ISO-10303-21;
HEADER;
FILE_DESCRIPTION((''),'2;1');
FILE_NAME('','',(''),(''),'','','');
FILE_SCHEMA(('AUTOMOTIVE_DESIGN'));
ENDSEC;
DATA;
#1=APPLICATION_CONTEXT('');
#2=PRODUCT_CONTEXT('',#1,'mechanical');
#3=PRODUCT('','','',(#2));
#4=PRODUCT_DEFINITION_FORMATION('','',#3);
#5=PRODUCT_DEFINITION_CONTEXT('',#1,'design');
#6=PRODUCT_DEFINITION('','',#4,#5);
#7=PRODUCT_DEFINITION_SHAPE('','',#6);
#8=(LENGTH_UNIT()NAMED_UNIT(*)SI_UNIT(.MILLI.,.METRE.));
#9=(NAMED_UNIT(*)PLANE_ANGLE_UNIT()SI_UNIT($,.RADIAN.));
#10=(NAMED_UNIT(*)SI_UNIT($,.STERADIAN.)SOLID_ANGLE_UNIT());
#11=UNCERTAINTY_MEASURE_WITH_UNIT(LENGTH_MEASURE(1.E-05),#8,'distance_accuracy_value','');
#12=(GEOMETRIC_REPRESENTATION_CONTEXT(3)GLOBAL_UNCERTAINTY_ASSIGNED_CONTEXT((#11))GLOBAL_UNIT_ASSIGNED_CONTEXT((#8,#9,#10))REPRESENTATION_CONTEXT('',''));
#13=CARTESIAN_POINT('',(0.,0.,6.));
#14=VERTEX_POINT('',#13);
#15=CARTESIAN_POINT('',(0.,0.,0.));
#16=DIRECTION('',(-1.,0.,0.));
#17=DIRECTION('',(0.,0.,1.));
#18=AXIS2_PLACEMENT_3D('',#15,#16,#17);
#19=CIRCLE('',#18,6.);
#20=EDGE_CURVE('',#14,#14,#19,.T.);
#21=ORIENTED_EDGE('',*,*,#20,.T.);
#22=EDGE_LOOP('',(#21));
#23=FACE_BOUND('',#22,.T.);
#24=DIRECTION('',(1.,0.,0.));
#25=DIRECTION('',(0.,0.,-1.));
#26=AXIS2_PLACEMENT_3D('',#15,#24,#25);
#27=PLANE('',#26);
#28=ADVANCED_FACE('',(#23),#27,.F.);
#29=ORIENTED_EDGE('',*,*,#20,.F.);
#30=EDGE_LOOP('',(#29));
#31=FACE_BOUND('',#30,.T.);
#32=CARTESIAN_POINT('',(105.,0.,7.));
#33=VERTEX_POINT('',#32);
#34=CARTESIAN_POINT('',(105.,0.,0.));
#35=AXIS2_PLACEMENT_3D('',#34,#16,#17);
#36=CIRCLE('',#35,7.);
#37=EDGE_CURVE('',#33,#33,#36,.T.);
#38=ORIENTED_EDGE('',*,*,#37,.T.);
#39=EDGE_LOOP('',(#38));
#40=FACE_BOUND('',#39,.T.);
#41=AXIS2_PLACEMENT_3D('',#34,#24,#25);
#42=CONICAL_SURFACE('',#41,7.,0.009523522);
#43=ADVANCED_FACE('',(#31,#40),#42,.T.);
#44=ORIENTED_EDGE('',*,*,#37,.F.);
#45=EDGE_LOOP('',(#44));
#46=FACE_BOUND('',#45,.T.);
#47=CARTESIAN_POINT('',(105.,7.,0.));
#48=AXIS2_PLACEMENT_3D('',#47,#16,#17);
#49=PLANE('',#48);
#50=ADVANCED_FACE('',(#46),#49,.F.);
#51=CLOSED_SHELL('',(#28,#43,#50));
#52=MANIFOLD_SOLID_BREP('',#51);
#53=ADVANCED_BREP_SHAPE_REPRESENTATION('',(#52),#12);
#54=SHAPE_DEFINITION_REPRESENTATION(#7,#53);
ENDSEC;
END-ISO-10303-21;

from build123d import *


with BuildPart() as part:
    # Sketch1 → Revolve1 (revolve)
    with BuildSketch(Plane.XY):
        Polygon((0, 0), (0, 6), (105, 7), (105, 0), align=None)
    revolve(axis=Axis((0, 0, 0), (1, 0, 0)))


solid = part.part
